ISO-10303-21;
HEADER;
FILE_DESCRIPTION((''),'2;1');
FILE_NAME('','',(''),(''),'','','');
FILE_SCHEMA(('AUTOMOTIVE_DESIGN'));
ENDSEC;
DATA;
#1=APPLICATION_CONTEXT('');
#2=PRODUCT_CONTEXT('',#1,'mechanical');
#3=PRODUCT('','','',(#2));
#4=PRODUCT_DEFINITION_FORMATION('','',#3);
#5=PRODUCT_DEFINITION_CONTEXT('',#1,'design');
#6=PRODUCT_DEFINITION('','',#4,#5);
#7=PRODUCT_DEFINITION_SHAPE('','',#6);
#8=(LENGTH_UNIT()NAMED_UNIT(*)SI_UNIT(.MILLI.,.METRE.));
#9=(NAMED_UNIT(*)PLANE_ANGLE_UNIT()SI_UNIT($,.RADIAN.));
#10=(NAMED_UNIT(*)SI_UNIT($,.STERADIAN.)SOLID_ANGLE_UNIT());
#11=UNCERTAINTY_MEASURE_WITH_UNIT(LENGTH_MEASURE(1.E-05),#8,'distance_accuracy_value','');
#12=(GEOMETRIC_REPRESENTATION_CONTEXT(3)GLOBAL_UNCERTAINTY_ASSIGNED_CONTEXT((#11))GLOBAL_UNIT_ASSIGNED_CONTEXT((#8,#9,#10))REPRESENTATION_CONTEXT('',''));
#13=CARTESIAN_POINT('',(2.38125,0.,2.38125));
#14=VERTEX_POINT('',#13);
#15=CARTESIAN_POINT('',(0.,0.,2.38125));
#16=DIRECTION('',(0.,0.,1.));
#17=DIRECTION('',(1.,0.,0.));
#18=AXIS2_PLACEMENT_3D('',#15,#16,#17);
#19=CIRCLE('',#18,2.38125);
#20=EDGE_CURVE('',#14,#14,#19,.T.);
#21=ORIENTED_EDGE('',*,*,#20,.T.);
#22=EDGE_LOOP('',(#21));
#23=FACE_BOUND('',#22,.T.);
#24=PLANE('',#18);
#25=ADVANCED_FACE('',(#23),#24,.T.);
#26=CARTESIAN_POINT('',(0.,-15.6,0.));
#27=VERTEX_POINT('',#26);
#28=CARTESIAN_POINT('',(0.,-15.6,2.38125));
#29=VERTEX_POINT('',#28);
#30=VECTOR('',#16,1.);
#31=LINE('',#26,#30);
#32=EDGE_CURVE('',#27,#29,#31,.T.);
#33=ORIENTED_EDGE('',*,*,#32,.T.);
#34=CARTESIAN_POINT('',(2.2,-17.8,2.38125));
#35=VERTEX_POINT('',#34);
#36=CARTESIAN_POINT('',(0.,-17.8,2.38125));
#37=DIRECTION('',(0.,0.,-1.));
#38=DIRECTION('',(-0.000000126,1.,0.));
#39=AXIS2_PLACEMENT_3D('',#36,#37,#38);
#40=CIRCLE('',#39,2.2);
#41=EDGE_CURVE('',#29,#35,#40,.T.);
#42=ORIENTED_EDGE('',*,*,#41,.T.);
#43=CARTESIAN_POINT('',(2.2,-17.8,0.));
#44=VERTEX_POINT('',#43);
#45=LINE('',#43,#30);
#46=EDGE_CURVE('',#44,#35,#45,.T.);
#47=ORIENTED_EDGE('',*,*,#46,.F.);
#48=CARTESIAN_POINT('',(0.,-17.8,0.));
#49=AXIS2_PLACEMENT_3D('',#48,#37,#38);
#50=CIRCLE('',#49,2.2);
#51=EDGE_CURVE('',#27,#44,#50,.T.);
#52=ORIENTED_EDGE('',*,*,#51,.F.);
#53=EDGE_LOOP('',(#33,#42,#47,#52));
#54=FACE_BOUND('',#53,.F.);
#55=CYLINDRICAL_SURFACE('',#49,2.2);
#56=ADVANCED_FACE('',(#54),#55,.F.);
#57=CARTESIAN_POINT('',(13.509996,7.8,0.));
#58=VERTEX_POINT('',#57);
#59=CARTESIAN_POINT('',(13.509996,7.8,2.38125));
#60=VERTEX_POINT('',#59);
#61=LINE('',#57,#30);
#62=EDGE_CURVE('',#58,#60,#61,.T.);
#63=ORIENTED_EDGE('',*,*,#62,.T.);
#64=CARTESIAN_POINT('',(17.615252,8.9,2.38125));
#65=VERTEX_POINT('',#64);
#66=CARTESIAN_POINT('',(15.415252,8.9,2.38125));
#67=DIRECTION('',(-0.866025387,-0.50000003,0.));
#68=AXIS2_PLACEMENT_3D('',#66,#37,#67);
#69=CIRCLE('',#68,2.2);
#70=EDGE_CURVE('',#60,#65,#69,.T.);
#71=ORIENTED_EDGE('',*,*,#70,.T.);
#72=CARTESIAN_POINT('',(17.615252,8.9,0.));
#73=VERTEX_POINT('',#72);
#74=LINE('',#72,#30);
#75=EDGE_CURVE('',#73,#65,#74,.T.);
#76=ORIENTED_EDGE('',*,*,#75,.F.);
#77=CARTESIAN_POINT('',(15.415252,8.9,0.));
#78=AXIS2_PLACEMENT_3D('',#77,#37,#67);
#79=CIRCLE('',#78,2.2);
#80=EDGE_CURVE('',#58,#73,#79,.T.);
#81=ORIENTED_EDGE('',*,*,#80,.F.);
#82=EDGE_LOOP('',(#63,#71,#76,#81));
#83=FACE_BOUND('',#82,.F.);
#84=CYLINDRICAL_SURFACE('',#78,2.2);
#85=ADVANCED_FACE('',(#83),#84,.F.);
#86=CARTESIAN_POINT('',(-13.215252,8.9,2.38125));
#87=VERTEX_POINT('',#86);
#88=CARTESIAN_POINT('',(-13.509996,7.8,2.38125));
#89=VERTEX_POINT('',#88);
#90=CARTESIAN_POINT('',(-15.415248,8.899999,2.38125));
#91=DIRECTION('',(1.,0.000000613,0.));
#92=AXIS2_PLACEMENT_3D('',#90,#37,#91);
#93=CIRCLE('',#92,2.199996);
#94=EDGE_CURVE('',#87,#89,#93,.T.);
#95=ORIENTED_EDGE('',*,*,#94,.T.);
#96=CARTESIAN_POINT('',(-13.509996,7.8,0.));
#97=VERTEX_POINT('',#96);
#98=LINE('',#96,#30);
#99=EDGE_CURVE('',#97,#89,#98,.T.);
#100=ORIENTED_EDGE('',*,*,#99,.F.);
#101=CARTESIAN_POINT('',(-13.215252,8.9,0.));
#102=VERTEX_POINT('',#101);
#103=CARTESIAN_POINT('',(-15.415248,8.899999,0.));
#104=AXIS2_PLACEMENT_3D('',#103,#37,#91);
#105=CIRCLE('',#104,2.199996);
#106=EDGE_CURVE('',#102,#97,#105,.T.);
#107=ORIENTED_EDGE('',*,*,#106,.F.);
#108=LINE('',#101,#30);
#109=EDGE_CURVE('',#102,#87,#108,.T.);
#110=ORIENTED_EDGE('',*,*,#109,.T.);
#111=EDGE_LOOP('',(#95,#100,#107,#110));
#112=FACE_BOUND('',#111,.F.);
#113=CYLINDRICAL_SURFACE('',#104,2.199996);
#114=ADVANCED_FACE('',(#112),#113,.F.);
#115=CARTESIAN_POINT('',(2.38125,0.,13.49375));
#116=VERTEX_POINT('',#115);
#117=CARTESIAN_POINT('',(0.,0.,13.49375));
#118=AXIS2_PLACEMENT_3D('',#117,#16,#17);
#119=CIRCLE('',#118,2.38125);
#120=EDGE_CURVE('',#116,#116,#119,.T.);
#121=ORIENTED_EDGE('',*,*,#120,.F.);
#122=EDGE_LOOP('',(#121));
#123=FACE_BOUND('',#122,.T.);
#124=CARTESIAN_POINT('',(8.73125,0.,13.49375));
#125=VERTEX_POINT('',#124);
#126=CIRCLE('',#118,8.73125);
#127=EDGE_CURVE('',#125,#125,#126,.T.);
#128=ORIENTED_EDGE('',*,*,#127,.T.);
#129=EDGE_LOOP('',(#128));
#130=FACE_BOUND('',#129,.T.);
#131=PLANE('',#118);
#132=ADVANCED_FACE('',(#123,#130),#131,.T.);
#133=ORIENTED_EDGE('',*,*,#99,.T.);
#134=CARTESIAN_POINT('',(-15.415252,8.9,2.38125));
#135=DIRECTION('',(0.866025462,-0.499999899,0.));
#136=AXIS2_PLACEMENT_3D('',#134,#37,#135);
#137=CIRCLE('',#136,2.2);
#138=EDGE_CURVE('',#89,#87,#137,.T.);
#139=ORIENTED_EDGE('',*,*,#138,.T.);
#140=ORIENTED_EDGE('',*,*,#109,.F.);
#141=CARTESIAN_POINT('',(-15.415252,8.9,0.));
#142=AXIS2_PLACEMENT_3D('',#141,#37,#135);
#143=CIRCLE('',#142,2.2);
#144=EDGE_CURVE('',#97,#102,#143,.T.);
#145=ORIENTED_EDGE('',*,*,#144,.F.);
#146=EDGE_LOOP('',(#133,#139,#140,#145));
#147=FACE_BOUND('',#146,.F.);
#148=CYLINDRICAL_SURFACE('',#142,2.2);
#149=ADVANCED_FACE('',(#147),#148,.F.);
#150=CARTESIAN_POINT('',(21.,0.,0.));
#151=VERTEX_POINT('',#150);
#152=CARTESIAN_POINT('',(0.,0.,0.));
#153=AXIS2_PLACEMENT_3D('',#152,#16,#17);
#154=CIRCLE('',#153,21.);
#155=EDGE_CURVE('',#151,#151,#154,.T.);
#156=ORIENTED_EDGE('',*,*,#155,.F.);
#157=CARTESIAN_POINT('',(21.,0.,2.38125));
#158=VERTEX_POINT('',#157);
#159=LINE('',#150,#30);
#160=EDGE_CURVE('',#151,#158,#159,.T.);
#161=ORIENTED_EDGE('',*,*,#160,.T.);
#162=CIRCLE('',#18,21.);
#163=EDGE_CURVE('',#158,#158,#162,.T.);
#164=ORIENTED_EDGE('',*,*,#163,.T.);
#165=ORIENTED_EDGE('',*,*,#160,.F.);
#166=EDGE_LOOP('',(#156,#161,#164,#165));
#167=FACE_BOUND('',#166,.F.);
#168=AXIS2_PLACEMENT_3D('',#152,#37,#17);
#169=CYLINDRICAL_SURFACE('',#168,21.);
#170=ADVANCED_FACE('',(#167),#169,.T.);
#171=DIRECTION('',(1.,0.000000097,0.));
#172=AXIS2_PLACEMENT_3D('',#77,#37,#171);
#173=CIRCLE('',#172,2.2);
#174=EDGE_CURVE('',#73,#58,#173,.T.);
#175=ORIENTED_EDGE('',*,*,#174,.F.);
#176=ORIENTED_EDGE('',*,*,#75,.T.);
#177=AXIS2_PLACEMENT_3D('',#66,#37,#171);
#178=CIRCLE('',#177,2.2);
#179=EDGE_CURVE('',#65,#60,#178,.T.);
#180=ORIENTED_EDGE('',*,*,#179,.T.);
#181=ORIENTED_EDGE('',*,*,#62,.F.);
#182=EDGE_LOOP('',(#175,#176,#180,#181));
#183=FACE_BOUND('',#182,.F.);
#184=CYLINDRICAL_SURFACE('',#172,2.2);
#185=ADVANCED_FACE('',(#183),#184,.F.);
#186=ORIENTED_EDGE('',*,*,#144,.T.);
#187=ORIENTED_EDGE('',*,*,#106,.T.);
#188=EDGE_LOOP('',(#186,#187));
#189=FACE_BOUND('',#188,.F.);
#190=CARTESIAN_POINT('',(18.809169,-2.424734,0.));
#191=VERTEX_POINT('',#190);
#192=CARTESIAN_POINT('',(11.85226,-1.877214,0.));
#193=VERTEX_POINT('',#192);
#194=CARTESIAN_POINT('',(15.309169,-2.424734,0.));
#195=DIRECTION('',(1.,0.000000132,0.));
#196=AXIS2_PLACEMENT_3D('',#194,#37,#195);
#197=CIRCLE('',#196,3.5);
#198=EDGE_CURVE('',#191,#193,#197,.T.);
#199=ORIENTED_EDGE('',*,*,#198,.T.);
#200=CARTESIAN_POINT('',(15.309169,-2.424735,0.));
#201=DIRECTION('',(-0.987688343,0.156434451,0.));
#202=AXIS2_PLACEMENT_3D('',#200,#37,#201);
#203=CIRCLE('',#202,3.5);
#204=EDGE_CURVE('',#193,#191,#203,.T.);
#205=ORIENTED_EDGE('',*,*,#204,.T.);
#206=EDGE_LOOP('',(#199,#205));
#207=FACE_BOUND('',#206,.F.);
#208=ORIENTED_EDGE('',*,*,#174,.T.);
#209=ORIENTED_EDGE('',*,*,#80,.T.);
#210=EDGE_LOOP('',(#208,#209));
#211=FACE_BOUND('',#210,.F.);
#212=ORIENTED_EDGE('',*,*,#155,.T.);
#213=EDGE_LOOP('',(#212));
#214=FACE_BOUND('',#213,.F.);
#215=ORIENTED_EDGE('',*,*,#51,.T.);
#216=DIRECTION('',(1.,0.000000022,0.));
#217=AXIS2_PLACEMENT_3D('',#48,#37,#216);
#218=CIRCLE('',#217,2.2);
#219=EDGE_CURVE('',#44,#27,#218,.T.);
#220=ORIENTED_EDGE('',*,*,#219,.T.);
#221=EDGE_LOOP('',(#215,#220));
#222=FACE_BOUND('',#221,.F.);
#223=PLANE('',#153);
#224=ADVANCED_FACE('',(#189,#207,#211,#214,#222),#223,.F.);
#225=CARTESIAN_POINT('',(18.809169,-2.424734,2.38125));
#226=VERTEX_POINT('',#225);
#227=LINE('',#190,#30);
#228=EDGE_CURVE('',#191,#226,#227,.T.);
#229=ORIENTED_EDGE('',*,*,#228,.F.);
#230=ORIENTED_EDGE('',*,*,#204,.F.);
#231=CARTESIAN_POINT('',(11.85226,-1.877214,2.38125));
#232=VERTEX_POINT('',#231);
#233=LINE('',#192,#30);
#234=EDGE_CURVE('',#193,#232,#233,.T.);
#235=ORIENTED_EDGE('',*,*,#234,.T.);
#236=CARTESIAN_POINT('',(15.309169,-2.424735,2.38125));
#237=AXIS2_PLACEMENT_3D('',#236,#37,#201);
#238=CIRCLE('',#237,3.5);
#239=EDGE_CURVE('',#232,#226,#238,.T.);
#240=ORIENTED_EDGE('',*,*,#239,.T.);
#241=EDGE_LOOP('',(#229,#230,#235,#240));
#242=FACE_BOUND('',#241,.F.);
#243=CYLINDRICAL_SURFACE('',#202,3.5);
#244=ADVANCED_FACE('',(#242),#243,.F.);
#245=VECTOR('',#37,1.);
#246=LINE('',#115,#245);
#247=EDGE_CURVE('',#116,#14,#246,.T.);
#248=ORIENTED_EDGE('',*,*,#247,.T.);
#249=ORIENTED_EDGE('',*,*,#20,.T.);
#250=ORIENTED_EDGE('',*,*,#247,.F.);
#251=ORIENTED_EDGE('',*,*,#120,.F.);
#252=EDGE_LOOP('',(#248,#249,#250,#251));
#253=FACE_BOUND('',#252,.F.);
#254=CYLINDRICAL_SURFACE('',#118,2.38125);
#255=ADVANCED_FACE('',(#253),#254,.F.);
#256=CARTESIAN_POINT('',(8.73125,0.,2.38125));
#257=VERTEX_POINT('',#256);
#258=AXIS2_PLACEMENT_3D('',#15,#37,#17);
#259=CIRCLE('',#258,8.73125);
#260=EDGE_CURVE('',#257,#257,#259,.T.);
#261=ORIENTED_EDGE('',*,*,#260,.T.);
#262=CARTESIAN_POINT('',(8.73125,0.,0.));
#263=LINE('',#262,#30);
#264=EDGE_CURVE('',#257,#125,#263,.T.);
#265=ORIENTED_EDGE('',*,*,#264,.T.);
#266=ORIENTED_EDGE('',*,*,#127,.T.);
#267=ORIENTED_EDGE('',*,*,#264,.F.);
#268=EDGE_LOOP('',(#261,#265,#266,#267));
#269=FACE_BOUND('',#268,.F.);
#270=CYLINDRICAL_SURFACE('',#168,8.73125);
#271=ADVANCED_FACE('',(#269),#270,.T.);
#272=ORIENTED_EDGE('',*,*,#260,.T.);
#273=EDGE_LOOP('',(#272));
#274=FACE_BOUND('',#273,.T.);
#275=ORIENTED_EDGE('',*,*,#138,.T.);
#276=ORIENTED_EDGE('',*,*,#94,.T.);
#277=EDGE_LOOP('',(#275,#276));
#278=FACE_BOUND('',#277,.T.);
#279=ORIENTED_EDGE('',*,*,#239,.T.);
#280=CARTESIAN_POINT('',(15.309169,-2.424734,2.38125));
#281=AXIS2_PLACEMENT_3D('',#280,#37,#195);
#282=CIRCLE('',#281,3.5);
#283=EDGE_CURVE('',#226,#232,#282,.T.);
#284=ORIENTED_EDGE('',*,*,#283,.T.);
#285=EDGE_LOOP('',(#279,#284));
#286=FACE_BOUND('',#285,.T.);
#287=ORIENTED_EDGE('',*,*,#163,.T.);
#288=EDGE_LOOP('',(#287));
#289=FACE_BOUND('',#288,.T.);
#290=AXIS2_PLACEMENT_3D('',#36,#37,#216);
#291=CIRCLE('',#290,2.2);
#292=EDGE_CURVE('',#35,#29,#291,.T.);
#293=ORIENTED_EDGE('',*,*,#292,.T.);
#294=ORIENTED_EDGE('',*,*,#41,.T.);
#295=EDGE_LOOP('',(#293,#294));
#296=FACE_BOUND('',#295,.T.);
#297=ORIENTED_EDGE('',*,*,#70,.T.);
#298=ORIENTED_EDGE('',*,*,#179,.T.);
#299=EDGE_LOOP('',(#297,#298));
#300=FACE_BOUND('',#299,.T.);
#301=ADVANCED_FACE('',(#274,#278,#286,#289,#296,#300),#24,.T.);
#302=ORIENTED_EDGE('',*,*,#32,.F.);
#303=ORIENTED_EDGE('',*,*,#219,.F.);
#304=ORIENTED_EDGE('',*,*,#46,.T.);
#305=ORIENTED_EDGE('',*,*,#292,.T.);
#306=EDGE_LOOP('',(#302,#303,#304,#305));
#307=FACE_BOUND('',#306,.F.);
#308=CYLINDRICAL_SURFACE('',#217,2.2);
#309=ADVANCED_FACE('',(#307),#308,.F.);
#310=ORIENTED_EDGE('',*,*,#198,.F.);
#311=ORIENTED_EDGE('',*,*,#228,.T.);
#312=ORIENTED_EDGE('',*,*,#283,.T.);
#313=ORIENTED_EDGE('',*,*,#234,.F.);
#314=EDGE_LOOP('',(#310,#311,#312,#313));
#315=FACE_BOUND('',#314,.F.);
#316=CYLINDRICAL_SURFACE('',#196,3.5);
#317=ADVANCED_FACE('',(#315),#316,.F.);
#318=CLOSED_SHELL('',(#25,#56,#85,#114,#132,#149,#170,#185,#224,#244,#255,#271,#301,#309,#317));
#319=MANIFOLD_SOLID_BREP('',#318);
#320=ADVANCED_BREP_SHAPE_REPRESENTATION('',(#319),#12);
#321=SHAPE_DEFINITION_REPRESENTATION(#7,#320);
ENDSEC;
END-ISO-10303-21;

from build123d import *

# Parameters (mm, degrees)
F0_R     = 21
F2_DEPTH = 2.38125
F1_R     = 8.73125
F3_DEPTH = 13.49375
F4_R     = 2.38125
F5_DEPTH = 11.1125
F7_DEPTH = 2.38125
F8_DEPTH = 2.38125


with BuildPart() as f2:
    # F0 (on Top) → F2 (new body)
    with BuildSketch(Plane.XY):
        Circle(F0_R)
    extrude(amount=F2_DEPTH)

    # F1 (on face) → F3 (join)
    with BuildSketch(Plane.XY):
        Circle(F1_R)
    extrude(amount=F3_DEPTH)

    # F4 (on face) → F5 (cut)
    with BuildSketch(Plane.XY.offset(13.49375)):
        Circle(F4_R)
    extrude(amount=-F5_DEPTH, mode=Mode.SUBTRACT)

    # F6 (on face) → F7 (cut)
    with BuildSketch(Plane(origin=(0, 0, 0), x_dir=(1, 0, 0), z_dir=(0, 0, -1))):
        with BuildLine():
            ThreePointArc((0, 15.6), (1.555635, 16.244365), (2.2, 17.8))
            ThreePointArc((2.2, 17.8), (-1.555635, 19.355635), (0, 15.6))
        make_face()
    extrude(amount=-F7_DEPTH, mode=Mode.SUBTRACT)

    # F6 (on face) → F8 (cut)
    with BuildSketch(Plane(origin=(0, 0, 0), x_dir=(1, 0, 0), z_dir=(0, 0, -1))):
        with BuildLine():
            ThreePointArc((0, 15.6), (1.555635, 16.244365), (2.2, 17.8))
            ThreePointArc((2.2, 17.8), (-1.555635, 19.355635), (0, 15.6))
        make_face()
        with BuildLine():
            ThreePointArc((18.809169, 2.424734), (15.034562, 5.913945), (11.85226, 1.877214))
            ThreePointArc((11.85226, 1.877214), (15.583776, -1.064476), (18.809169, 2.424734))
        make_face()
        with BuildLine():
            ThreePointArc((17.615252, -8.9), (15.984654, -6.774963), (13.509996, -7.8))
            ThreePointArc((13.509996, -7.8), (14.84585, -11.025037), (17.615252, -8.9))
        make_face()
        with BuildLine():
            ThreePointArc((-13.215252, -8.9), (-13.290215, -8.330598), (-13.509996, -7.8))
            ThreePointArc((-13.509996, -7.8), (-17.540289, -9.469402), (-13.215252, -8.9))
        make_face()
    extrude(amount=-F8_DEPTH, mode=Mode.SUBTRACT)


solid = f2.part
